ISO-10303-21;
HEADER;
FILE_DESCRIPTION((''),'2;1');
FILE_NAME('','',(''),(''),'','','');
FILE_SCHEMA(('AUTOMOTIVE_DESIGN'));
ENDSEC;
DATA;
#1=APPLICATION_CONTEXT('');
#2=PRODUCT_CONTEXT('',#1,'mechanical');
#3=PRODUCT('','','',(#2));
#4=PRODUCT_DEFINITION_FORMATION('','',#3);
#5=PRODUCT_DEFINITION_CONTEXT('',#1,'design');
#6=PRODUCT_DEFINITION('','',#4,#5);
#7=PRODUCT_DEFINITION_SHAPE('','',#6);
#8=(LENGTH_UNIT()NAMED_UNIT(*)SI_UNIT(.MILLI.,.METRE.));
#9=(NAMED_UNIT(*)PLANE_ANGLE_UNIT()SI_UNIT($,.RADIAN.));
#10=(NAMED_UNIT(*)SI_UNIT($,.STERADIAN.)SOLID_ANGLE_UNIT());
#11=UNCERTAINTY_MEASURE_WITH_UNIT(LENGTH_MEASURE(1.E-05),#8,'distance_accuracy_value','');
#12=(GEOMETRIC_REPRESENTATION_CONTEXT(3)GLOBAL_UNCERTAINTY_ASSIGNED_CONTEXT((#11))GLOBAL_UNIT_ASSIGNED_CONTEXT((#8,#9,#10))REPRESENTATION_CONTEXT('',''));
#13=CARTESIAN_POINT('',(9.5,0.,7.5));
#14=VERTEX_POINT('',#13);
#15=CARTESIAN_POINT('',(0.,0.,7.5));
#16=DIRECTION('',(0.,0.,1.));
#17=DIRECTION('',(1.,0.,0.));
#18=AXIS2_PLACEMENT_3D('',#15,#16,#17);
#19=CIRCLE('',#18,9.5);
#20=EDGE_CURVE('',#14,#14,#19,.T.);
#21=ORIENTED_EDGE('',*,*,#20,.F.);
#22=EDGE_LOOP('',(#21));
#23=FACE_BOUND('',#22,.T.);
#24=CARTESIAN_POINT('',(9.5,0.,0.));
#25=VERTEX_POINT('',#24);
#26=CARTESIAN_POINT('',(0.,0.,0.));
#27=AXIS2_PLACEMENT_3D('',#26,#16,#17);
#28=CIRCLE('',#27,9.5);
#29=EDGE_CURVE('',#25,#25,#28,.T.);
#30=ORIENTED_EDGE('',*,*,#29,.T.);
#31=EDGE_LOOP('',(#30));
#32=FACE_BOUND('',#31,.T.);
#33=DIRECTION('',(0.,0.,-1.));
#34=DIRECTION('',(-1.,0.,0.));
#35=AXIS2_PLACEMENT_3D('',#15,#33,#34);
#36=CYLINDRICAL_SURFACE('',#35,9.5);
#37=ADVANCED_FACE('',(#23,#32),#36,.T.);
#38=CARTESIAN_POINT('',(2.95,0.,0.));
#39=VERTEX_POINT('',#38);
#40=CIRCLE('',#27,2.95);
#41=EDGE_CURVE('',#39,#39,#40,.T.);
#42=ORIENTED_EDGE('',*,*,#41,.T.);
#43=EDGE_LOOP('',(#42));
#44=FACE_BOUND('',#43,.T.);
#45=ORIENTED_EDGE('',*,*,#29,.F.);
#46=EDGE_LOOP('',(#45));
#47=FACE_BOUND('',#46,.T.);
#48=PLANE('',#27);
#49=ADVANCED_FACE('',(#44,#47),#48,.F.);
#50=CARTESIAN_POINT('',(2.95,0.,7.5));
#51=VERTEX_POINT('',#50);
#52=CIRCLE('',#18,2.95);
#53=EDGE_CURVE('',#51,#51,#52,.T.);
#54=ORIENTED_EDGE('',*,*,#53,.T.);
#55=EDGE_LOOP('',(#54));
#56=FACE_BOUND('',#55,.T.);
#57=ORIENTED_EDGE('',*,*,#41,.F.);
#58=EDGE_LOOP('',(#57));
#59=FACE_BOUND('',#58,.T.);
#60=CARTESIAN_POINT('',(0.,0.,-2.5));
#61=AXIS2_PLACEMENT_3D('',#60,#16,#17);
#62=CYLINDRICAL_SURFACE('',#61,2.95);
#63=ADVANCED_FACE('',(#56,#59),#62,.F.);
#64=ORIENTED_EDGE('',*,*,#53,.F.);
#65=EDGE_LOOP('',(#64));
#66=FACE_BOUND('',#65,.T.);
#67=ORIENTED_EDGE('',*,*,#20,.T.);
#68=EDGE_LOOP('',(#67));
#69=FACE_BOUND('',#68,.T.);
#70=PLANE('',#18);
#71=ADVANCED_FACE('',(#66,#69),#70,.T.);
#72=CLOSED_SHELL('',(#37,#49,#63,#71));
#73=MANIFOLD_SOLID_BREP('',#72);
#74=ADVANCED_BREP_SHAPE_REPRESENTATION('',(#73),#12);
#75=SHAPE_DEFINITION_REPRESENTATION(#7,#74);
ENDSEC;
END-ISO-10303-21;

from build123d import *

# Parameters (mm, degrees)
SKETCH1_R          = 9.5
MAIN_EXTRUDE_DEPTH = 7.5
SKETCH2_R          = 2.95
CUT_EXTRUDE1_DEPTH = 10


with BuildPart() as part:
    # Sketch1 → Main Extrude (new body)
    with BuildSketch(Plane.XY):
        Circle(SKETCH1_R)
    extrude(amount=MAIN_EXTRUDE_DEPTH)

    # Sketch2 → Cut-Extrude1 (cut)
    with BuildSketch(Plane.XY.offset(7.5)):
        Circle(SKETCH2_R)
    extrude(amount=-CUT_EXTRUDE1_DEPTH, mode=Mode.SUBTRACT)


solid = part.part
